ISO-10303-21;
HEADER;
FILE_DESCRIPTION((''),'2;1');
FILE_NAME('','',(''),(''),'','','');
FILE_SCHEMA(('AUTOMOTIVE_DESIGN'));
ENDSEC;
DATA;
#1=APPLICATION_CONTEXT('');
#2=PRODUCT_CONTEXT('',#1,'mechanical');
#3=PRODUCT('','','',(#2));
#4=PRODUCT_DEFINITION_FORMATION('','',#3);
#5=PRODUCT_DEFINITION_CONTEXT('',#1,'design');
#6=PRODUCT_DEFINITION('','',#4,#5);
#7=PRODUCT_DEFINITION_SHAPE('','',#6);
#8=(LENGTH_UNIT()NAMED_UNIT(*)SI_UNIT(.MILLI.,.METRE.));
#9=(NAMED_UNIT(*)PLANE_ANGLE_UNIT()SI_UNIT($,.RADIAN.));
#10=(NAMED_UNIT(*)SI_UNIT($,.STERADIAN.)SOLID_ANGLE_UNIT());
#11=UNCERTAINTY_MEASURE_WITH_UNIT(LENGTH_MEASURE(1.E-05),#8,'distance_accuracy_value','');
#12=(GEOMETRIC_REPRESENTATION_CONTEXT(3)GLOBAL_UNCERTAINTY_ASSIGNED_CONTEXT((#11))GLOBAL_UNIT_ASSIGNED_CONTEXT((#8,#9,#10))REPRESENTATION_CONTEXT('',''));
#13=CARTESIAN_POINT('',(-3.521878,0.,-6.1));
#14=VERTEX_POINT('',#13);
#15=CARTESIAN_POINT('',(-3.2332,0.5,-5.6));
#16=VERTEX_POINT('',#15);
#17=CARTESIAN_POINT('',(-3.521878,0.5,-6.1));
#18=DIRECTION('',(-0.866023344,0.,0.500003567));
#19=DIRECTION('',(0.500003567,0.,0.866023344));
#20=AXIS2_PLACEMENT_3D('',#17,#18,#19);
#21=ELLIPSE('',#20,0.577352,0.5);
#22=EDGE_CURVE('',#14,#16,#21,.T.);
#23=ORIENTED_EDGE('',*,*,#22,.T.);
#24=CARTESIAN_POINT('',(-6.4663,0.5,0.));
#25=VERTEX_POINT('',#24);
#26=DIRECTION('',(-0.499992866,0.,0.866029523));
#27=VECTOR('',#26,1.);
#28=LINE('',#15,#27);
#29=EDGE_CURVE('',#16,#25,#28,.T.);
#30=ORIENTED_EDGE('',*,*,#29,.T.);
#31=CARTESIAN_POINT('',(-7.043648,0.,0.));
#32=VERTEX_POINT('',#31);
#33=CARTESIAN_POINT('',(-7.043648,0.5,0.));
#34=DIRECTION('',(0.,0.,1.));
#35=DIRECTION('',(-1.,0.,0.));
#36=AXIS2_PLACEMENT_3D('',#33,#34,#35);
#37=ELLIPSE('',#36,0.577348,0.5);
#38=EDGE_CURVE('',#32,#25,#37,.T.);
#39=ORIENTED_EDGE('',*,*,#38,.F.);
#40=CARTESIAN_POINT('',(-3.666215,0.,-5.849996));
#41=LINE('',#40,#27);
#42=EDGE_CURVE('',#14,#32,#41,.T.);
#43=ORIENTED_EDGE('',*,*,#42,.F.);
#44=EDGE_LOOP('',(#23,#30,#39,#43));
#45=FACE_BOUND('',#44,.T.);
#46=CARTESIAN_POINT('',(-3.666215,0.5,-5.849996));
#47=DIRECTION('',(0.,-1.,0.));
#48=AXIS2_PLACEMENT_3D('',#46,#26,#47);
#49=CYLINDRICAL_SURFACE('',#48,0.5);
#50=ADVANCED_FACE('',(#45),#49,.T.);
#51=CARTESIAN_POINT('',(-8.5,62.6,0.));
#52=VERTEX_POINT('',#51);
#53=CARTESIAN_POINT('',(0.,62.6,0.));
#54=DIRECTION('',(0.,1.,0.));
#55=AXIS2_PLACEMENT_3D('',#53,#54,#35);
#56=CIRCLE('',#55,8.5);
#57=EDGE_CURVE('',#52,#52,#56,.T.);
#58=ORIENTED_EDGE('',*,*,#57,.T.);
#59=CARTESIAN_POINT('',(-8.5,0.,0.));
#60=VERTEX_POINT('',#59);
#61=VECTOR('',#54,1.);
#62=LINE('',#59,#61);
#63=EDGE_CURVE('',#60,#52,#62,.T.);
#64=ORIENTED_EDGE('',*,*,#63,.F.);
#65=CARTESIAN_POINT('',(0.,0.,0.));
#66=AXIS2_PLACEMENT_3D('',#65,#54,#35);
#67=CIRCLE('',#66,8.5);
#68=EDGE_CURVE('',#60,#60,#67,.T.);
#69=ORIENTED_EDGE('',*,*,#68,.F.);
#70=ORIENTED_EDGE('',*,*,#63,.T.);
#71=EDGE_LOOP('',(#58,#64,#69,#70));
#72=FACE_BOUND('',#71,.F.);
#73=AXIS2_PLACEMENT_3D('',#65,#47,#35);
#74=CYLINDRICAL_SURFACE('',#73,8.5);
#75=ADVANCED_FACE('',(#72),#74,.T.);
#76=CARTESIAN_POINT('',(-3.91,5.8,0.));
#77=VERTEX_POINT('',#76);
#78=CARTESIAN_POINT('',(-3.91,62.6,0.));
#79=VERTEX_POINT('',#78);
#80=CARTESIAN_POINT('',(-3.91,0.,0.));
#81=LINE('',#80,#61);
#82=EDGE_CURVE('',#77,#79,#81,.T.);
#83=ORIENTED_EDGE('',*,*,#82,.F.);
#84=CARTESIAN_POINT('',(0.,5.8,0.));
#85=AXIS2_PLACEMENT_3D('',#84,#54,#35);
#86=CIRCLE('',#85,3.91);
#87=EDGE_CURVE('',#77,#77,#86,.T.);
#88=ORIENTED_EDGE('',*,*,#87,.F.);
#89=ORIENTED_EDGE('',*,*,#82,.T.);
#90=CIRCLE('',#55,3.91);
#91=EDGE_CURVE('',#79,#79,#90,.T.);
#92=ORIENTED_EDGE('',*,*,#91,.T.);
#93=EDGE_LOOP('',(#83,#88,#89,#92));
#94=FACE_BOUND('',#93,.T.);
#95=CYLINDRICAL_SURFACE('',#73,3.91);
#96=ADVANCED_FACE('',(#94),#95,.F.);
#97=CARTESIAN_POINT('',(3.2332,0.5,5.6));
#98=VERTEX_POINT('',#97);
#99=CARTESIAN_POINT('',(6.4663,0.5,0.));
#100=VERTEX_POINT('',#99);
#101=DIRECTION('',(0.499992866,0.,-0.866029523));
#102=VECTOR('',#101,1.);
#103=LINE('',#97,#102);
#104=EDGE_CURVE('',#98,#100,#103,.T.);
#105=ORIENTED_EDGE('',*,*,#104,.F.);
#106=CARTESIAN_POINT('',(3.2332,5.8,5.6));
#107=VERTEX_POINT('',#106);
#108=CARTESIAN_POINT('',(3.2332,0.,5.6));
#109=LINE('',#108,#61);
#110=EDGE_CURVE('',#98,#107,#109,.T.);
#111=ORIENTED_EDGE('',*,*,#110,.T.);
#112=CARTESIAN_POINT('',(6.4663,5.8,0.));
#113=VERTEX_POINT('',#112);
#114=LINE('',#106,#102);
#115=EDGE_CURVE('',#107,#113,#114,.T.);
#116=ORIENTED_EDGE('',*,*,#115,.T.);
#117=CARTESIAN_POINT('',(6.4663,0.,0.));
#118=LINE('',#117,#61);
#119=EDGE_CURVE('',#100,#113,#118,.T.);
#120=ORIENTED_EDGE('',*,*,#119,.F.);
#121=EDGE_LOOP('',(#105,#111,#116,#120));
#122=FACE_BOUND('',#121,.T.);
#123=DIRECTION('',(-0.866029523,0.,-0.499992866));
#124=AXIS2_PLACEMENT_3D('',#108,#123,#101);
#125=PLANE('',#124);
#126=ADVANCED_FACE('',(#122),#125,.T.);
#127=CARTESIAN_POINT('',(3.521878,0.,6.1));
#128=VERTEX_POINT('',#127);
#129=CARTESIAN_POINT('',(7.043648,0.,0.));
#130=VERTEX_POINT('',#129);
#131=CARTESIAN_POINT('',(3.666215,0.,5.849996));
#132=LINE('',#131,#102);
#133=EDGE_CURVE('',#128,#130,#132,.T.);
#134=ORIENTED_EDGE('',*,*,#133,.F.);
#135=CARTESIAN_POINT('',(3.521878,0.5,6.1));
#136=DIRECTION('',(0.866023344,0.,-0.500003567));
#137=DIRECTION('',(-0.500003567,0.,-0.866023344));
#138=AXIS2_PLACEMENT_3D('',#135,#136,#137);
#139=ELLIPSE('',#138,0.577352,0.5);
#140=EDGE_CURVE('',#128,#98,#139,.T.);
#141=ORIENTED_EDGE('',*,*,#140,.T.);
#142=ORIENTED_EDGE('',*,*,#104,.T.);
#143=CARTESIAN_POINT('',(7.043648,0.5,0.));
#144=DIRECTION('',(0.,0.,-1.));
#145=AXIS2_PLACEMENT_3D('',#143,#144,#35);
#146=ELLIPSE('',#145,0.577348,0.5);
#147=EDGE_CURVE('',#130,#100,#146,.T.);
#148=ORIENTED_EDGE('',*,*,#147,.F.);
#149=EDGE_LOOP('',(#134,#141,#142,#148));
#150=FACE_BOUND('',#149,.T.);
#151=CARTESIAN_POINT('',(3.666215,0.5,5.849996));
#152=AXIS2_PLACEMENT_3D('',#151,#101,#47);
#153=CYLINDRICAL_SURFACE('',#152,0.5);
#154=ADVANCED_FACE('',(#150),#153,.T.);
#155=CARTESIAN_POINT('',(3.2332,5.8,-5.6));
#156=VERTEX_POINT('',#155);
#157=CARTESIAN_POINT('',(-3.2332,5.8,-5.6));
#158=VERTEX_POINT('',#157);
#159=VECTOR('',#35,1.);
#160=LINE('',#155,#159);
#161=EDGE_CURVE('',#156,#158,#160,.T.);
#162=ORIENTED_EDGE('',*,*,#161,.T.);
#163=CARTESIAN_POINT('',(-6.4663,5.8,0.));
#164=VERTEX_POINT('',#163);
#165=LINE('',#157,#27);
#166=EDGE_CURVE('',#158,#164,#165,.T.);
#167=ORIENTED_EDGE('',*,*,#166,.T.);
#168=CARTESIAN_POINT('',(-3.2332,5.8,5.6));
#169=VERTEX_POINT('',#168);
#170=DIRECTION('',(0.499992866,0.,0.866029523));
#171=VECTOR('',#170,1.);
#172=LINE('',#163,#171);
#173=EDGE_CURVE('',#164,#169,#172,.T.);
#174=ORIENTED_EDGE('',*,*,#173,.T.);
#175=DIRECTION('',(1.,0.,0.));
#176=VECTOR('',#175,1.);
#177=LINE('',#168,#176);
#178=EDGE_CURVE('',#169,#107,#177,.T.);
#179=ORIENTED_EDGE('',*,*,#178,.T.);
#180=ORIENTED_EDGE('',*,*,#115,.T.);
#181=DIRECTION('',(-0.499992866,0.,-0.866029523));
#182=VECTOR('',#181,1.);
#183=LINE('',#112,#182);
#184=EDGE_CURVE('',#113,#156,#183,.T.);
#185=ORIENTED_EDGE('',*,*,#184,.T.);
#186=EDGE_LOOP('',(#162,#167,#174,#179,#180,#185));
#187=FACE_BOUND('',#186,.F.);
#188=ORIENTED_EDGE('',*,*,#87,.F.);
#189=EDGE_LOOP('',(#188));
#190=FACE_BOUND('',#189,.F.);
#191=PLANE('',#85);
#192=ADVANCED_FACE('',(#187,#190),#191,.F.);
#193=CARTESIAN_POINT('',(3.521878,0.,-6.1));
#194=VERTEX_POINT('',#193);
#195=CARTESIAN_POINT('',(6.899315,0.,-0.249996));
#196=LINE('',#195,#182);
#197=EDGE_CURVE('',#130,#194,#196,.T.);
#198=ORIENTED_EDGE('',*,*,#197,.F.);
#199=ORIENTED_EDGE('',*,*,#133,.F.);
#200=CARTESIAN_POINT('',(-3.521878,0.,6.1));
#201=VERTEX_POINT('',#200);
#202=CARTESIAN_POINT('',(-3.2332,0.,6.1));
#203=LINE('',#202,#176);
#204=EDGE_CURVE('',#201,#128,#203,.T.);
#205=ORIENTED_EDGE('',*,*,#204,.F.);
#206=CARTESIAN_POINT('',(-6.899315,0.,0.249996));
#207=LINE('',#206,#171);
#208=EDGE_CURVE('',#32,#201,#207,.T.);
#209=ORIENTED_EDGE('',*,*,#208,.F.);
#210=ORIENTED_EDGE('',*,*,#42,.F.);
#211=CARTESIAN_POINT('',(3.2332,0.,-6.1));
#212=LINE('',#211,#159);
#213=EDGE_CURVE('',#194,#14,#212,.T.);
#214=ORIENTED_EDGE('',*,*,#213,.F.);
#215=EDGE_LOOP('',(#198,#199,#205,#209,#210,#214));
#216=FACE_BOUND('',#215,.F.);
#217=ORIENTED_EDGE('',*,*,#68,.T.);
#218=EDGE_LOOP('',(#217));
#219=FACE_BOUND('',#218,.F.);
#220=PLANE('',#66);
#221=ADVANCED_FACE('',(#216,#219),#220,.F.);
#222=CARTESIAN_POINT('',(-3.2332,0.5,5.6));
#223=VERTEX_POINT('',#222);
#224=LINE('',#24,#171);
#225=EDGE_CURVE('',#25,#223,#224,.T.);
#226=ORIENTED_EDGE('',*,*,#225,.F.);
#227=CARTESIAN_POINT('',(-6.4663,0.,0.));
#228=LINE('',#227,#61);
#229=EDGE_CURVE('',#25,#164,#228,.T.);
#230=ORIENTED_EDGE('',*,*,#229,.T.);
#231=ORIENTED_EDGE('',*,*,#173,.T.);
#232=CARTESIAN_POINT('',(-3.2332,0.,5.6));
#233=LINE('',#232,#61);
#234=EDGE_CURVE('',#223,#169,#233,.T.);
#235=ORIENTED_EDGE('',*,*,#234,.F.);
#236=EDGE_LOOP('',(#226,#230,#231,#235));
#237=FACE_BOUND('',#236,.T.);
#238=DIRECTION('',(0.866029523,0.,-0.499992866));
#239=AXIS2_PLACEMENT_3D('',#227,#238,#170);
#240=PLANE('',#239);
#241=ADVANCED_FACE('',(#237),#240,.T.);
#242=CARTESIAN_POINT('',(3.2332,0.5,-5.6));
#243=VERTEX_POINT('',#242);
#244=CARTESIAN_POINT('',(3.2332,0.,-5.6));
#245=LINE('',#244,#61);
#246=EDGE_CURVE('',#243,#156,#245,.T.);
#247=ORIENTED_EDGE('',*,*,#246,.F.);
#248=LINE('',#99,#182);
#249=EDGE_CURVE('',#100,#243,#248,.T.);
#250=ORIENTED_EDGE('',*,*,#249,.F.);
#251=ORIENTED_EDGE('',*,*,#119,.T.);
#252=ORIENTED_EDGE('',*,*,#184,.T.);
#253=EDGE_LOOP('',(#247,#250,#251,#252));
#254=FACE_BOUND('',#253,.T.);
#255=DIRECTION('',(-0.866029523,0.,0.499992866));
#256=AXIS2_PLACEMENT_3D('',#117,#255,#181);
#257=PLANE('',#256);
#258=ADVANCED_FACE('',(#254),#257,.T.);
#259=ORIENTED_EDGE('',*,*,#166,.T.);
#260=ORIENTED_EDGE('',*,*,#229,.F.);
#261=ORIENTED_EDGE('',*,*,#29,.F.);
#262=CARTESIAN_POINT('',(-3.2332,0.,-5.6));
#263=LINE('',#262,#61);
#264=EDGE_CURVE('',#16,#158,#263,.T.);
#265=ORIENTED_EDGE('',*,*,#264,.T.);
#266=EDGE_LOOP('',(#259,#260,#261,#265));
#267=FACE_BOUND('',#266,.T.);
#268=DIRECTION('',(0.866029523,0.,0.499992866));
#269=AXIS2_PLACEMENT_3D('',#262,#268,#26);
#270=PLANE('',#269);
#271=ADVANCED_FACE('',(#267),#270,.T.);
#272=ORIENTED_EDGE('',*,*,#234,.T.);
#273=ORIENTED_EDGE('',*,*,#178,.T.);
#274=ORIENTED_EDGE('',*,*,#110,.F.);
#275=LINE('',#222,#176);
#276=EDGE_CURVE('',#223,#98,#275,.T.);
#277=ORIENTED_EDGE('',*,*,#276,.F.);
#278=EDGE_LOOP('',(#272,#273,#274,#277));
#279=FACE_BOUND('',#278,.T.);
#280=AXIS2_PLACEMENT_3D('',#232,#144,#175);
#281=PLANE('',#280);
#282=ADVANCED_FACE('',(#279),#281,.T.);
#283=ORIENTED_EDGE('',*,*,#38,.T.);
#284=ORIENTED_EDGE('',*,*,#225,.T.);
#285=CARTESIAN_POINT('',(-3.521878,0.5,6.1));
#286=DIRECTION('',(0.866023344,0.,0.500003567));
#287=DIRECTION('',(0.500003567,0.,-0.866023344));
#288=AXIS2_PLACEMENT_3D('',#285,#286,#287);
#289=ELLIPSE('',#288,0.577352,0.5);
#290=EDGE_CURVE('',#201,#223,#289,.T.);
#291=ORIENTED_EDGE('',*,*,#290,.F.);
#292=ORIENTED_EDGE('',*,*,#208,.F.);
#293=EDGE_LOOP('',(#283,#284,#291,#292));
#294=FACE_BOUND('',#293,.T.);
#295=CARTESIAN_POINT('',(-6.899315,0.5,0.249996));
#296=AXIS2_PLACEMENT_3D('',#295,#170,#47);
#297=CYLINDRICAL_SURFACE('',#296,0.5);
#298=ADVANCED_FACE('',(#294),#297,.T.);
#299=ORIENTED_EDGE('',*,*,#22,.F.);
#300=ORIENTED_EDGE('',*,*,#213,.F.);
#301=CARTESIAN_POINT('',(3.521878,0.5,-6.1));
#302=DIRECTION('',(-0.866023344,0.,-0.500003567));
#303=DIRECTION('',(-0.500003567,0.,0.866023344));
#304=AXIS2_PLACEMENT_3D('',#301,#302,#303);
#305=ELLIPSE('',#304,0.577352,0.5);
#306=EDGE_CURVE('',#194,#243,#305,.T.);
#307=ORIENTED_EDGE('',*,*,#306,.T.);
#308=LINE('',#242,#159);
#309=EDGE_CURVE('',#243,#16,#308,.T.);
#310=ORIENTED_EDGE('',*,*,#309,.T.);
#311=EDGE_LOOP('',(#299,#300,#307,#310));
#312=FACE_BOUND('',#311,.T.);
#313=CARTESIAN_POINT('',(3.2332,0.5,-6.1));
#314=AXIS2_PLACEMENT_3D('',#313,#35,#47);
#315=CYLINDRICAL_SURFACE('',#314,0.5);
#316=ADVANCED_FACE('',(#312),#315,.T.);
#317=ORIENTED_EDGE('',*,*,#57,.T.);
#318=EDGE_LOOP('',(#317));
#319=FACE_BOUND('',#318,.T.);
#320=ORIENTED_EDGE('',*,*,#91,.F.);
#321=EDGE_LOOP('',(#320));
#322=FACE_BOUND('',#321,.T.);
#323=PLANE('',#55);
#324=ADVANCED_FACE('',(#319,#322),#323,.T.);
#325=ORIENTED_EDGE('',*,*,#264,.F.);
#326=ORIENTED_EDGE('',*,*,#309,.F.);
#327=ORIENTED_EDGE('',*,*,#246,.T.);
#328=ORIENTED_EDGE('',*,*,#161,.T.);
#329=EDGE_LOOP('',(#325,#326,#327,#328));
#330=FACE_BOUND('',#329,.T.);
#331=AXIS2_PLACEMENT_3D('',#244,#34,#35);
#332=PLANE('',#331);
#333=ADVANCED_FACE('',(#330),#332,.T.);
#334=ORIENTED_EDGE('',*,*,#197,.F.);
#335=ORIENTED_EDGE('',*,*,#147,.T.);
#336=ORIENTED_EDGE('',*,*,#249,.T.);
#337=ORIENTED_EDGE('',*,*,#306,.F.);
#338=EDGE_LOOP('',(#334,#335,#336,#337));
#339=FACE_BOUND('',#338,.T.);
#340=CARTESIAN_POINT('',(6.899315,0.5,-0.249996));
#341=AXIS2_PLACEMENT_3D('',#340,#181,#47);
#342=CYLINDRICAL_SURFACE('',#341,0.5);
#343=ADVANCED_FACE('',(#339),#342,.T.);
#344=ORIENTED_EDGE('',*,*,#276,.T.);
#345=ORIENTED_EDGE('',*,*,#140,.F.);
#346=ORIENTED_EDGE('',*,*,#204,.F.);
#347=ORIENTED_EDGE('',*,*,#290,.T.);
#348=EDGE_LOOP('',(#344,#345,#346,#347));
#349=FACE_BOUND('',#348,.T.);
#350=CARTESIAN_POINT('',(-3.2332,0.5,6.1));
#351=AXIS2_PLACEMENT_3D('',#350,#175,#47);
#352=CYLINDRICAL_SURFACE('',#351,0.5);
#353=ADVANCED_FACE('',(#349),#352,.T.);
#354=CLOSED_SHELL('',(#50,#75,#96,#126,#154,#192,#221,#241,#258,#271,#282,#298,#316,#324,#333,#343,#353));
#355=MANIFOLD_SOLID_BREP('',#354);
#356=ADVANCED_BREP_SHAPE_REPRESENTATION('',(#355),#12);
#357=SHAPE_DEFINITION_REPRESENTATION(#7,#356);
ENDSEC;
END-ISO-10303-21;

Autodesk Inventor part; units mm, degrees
ref_plane "YZ Plane" through (0, 0, 0) normal (1, 0, 0) x (0, 1, 0)
ref_plane "XZ Plane" through (0, 0, 0) normal (0, 1, 0) x (-1, 0, 0)
ref_plane "XY Plane" through (0, 0, 0) normal (0, 0, 1) x (1, 0, 0)
sketch "Sketch1" plane through (0, 0, 0) normal (0, 1, 0) x (-1, 0, 0)
  circle A0 centre (0, 0) radius 3.91
  circle A1 centre (0, 0) radius 8.5
  line L0 (5.7735, 0) -> (2.8868, -5) construction
  line L1 (2.8868, -5) -> (-2.8868, -5) construction
  line L2 (-2.8868, -5) -> (-5.7735, 0) construction
  line L3 (-5.7735, 0) -> (-2.8868, 5) construction
  line L4 (-2.8868, 5) -> (2.8868, 5) construction
  line L5 (2.8868, 5) -> (5.7735, 0) construction
  line L6 (3.2332, -5.6) -> (6.4663, 0)
  line L7 (6.4663, 0) -> (3.2332, 5.6)
  line L8 (3.2332, 5.6) -> (-3.2332, 5.6)
  line L9 (-3.2332, 5.6) -> (-6.4663, 0)
  line L10 (-6.4663, 0) -> (-3.2332, -5.6)
  line L11 (-3.2332, -5.6) -> (3.2332, -5.6)
  dimension "d0" = 7.82
  dimension "d4" = 10
  dimension "d5" = 0.6
  dimension "d6" = 17
extrude "Extrusion1" add sketch "Sketch1" along normal blind 62.6 contours A1 | L11 L10 L9 L8 L7 L6
extrude "Extrusion2" cut sketch "Sketch1" along normal blind 5.8 contours L11 L10 L9 L8 L7 L6
fillet "Fillet1" radius 0.5 6 edges at (-4.8497, 0, -2.8) (0, 0, -5.6) (4.8497, 0, -2.8) (4.8497, 0, 2.8) (0, 0, 5.6) (-4.8497, 0, 2.8)
properties part number "GenevaPin" material "ABS Plastic"
